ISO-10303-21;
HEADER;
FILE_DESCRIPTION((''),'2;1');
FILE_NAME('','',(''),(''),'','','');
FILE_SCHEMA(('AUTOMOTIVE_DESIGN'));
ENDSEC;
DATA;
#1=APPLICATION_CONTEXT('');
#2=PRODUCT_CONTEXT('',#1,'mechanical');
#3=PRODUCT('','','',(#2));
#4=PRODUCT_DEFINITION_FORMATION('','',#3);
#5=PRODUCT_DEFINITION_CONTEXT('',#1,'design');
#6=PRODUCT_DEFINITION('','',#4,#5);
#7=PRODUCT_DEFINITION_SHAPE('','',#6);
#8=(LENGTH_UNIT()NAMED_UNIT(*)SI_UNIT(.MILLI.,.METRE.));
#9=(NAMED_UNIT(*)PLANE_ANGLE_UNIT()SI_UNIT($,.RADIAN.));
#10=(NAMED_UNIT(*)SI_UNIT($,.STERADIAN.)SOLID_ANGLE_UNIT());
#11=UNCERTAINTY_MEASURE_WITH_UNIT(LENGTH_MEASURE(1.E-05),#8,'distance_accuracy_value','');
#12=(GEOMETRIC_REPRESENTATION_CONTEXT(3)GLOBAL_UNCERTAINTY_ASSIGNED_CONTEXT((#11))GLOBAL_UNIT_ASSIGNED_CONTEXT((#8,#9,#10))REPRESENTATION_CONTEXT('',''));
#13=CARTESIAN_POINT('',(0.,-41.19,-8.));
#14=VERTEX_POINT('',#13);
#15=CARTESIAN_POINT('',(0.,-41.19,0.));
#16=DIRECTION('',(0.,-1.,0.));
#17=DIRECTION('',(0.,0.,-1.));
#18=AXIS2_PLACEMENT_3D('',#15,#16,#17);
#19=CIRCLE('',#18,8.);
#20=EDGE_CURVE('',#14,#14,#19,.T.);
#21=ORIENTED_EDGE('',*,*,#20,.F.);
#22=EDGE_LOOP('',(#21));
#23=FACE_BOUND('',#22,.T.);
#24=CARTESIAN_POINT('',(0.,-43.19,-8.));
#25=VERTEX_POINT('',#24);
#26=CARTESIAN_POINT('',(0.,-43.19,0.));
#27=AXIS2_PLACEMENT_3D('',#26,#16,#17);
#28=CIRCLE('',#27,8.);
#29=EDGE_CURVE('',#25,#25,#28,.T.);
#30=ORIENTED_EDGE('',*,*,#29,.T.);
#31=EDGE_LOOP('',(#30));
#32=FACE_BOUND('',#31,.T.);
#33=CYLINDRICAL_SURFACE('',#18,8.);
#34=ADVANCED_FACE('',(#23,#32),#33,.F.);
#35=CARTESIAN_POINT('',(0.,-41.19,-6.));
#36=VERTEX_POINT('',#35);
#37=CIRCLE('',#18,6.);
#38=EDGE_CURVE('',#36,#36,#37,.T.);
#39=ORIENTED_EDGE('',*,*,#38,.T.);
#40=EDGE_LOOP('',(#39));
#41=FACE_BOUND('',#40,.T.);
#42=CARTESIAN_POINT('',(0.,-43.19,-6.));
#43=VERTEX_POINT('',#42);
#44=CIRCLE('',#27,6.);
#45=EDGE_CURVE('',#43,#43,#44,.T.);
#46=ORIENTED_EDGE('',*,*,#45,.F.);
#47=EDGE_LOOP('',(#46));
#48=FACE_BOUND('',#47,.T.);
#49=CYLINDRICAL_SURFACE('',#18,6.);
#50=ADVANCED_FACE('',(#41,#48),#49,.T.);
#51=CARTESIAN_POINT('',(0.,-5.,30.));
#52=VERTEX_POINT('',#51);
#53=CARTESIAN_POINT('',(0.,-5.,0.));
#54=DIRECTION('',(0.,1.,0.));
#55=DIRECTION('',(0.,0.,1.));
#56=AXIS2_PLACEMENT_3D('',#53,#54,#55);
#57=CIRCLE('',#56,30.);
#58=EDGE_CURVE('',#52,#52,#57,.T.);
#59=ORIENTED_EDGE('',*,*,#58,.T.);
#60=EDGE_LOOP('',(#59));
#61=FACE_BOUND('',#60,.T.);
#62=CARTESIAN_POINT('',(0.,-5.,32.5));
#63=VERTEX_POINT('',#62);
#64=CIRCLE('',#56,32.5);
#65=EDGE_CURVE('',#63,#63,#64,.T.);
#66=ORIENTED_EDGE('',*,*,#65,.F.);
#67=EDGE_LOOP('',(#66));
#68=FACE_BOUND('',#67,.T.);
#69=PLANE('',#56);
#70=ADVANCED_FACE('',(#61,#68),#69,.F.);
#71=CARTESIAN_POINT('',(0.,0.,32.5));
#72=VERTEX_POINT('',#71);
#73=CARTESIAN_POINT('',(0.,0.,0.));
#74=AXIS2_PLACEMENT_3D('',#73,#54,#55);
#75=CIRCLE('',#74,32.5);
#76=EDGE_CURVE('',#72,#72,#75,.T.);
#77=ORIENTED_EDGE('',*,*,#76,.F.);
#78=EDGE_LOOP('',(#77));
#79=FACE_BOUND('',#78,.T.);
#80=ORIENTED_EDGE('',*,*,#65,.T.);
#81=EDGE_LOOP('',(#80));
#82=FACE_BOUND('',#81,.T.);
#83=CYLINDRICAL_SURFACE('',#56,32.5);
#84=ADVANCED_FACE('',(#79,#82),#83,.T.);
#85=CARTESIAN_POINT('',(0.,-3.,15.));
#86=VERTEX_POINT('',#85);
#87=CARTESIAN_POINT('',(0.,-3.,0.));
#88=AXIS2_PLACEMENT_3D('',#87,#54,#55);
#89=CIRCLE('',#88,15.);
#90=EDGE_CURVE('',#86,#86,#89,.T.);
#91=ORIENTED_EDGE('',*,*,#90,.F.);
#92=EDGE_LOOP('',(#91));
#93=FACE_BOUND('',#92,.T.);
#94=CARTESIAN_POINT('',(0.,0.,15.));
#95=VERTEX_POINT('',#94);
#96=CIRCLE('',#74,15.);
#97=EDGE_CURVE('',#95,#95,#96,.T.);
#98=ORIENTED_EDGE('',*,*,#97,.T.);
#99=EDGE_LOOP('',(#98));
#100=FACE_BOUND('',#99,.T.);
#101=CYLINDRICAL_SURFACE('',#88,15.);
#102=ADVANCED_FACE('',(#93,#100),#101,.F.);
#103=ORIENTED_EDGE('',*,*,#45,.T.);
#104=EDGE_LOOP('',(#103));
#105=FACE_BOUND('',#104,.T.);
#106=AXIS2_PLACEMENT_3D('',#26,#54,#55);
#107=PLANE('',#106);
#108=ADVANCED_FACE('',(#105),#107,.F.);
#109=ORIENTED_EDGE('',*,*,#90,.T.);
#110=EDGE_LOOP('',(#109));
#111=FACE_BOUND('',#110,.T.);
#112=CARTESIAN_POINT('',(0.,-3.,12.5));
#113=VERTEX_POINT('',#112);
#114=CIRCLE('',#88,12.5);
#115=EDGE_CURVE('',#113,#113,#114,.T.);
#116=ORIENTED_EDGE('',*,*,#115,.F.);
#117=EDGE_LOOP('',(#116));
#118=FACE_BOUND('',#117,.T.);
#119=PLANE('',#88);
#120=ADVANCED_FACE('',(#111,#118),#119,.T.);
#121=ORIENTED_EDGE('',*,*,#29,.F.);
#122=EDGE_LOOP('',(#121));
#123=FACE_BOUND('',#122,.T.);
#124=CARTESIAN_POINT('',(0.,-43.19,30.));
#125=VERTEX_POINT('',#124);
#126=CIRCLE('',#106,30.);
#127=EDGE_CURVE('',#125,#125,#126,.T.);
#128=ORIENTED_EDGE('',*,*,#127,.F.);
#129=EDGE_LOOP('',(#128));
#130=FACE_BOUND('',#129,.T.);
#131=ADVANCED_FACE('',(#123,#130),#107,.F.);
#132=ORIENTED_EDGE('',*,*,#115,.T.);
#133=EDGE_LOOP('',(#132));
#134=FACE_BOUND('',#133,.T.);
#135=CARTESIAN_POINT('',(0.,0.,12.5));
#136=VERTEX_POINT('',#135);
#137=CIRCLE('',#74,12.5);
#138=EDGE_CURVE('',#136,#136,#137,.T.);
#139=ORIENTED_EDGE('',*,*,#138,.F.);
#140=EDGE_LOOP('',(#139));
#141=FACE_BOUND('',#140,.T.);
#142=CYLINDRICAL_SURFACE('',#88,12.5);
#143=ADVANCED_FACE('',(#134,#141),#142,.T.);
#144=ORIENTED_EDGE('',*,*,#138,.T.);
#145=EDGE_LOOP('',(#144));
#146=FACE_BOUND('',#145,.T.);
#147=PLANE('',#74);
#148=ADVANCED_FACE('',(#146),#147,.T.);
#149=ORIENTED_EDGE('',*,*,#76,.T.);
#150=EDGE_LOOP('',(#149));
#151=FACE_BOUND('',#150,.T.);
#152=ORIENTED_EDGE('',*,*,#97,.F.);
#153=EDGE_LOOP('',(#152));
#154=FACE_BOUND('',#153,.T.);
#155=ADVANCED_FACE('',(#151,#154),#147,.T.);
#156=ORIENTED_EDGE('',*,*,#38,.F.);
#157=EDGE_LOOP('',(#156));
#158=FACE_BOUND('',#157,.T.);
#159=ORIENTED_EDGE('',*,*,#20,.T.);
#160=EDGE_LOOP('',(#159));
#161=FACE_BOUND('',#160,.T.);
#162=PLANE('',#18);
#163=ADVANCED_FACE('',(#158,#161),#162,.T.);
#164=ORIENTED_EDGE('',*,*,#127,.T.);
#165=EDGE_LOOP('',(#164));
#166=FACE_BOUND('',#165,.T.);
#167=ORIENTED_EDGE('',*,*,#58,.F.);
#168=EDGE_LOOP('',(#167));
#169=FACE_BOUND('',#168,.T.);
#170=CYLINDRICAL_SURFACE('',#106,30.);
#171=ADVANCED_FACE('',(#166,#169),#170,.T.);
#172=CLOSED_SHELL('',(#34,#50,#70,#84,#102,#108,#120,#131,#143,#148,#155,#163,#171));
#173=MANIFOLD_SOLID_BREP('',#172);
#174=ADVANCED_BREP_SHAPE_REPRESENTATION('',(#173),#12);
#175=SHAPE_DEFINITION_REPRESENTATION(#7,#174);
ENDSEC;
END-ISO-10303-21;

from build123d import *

# Parameters (mm, degrees)
SKETCH1_R            = 30
BOSS_EXTRUDE8_DEPTH  = 43.19
SKETCH1_9_R          = 32.5
SKETCH1_9_R_2        = 30
BOSS_EXTRUDE10_DEPTH = 5
SKETCH2_R            = 8
SKETCH2_R_2          = 6
CUT_EXTRUDE1_DEPTH   = 2
SKETCH3_R            = 15
SKETCH3_R_2          = 12.5
CUT_EXTRUDE2_DEPTH   = 3


with BuildPart() as part:
    # Sketch1 → Boss-Extrude8 (new body)
    with BuildSketch(Plane(origin=(0, 0, 0), x_dir=(1, 0, 0), z_dir=(0, 1, 0))):
        Circle(SKETCH1_R)
    extrude(amount=-BOSS_EXTRUDE8_DEPTH)

    # Sketch1<9> → Boss-Extrude10 (add)
    with BuildSketch(Plane(origin=(0, 0, 0), x_dir=(1, 0, 0), z_dir=(0, 1, 0))):
        Circle(SKETCH1_9_R)
        Circle(SKETCH1_9_R_2, mode=Mode.SUBTRACT)
    extrude(amount=-BOSS_EXTRUDE10_DEPTH)

    # Sketch2 → Cut-Extrude1 (cut)
    with BuildSketch(Plane.XZ.offset(43.19)):
        Circle(SKETCH2_R)
        Circle(SKETCH2_R_2, mode=Mode.SUBTRACT)
    extrude(amount=-CUT_EXTRUDE1_DEPTH, mode=Mode.SUBTRACT)

    # Sketch3 → Cut-Extrude2 (cut)
    with BuildSketch(Plane(origin=(0, 0, 0), x_dir=(1, 0, 0), z_dir=(0, 1, 0))):
        Circle(SKETCH3_R)
        Circle(SKETCH3_R_2, mode=Mode.SUBTRACT)
    extrude(amount=-CUT_EXTRUDE2_DEPTH, mode=Mode.SUBTRACT)


solid = part.part
